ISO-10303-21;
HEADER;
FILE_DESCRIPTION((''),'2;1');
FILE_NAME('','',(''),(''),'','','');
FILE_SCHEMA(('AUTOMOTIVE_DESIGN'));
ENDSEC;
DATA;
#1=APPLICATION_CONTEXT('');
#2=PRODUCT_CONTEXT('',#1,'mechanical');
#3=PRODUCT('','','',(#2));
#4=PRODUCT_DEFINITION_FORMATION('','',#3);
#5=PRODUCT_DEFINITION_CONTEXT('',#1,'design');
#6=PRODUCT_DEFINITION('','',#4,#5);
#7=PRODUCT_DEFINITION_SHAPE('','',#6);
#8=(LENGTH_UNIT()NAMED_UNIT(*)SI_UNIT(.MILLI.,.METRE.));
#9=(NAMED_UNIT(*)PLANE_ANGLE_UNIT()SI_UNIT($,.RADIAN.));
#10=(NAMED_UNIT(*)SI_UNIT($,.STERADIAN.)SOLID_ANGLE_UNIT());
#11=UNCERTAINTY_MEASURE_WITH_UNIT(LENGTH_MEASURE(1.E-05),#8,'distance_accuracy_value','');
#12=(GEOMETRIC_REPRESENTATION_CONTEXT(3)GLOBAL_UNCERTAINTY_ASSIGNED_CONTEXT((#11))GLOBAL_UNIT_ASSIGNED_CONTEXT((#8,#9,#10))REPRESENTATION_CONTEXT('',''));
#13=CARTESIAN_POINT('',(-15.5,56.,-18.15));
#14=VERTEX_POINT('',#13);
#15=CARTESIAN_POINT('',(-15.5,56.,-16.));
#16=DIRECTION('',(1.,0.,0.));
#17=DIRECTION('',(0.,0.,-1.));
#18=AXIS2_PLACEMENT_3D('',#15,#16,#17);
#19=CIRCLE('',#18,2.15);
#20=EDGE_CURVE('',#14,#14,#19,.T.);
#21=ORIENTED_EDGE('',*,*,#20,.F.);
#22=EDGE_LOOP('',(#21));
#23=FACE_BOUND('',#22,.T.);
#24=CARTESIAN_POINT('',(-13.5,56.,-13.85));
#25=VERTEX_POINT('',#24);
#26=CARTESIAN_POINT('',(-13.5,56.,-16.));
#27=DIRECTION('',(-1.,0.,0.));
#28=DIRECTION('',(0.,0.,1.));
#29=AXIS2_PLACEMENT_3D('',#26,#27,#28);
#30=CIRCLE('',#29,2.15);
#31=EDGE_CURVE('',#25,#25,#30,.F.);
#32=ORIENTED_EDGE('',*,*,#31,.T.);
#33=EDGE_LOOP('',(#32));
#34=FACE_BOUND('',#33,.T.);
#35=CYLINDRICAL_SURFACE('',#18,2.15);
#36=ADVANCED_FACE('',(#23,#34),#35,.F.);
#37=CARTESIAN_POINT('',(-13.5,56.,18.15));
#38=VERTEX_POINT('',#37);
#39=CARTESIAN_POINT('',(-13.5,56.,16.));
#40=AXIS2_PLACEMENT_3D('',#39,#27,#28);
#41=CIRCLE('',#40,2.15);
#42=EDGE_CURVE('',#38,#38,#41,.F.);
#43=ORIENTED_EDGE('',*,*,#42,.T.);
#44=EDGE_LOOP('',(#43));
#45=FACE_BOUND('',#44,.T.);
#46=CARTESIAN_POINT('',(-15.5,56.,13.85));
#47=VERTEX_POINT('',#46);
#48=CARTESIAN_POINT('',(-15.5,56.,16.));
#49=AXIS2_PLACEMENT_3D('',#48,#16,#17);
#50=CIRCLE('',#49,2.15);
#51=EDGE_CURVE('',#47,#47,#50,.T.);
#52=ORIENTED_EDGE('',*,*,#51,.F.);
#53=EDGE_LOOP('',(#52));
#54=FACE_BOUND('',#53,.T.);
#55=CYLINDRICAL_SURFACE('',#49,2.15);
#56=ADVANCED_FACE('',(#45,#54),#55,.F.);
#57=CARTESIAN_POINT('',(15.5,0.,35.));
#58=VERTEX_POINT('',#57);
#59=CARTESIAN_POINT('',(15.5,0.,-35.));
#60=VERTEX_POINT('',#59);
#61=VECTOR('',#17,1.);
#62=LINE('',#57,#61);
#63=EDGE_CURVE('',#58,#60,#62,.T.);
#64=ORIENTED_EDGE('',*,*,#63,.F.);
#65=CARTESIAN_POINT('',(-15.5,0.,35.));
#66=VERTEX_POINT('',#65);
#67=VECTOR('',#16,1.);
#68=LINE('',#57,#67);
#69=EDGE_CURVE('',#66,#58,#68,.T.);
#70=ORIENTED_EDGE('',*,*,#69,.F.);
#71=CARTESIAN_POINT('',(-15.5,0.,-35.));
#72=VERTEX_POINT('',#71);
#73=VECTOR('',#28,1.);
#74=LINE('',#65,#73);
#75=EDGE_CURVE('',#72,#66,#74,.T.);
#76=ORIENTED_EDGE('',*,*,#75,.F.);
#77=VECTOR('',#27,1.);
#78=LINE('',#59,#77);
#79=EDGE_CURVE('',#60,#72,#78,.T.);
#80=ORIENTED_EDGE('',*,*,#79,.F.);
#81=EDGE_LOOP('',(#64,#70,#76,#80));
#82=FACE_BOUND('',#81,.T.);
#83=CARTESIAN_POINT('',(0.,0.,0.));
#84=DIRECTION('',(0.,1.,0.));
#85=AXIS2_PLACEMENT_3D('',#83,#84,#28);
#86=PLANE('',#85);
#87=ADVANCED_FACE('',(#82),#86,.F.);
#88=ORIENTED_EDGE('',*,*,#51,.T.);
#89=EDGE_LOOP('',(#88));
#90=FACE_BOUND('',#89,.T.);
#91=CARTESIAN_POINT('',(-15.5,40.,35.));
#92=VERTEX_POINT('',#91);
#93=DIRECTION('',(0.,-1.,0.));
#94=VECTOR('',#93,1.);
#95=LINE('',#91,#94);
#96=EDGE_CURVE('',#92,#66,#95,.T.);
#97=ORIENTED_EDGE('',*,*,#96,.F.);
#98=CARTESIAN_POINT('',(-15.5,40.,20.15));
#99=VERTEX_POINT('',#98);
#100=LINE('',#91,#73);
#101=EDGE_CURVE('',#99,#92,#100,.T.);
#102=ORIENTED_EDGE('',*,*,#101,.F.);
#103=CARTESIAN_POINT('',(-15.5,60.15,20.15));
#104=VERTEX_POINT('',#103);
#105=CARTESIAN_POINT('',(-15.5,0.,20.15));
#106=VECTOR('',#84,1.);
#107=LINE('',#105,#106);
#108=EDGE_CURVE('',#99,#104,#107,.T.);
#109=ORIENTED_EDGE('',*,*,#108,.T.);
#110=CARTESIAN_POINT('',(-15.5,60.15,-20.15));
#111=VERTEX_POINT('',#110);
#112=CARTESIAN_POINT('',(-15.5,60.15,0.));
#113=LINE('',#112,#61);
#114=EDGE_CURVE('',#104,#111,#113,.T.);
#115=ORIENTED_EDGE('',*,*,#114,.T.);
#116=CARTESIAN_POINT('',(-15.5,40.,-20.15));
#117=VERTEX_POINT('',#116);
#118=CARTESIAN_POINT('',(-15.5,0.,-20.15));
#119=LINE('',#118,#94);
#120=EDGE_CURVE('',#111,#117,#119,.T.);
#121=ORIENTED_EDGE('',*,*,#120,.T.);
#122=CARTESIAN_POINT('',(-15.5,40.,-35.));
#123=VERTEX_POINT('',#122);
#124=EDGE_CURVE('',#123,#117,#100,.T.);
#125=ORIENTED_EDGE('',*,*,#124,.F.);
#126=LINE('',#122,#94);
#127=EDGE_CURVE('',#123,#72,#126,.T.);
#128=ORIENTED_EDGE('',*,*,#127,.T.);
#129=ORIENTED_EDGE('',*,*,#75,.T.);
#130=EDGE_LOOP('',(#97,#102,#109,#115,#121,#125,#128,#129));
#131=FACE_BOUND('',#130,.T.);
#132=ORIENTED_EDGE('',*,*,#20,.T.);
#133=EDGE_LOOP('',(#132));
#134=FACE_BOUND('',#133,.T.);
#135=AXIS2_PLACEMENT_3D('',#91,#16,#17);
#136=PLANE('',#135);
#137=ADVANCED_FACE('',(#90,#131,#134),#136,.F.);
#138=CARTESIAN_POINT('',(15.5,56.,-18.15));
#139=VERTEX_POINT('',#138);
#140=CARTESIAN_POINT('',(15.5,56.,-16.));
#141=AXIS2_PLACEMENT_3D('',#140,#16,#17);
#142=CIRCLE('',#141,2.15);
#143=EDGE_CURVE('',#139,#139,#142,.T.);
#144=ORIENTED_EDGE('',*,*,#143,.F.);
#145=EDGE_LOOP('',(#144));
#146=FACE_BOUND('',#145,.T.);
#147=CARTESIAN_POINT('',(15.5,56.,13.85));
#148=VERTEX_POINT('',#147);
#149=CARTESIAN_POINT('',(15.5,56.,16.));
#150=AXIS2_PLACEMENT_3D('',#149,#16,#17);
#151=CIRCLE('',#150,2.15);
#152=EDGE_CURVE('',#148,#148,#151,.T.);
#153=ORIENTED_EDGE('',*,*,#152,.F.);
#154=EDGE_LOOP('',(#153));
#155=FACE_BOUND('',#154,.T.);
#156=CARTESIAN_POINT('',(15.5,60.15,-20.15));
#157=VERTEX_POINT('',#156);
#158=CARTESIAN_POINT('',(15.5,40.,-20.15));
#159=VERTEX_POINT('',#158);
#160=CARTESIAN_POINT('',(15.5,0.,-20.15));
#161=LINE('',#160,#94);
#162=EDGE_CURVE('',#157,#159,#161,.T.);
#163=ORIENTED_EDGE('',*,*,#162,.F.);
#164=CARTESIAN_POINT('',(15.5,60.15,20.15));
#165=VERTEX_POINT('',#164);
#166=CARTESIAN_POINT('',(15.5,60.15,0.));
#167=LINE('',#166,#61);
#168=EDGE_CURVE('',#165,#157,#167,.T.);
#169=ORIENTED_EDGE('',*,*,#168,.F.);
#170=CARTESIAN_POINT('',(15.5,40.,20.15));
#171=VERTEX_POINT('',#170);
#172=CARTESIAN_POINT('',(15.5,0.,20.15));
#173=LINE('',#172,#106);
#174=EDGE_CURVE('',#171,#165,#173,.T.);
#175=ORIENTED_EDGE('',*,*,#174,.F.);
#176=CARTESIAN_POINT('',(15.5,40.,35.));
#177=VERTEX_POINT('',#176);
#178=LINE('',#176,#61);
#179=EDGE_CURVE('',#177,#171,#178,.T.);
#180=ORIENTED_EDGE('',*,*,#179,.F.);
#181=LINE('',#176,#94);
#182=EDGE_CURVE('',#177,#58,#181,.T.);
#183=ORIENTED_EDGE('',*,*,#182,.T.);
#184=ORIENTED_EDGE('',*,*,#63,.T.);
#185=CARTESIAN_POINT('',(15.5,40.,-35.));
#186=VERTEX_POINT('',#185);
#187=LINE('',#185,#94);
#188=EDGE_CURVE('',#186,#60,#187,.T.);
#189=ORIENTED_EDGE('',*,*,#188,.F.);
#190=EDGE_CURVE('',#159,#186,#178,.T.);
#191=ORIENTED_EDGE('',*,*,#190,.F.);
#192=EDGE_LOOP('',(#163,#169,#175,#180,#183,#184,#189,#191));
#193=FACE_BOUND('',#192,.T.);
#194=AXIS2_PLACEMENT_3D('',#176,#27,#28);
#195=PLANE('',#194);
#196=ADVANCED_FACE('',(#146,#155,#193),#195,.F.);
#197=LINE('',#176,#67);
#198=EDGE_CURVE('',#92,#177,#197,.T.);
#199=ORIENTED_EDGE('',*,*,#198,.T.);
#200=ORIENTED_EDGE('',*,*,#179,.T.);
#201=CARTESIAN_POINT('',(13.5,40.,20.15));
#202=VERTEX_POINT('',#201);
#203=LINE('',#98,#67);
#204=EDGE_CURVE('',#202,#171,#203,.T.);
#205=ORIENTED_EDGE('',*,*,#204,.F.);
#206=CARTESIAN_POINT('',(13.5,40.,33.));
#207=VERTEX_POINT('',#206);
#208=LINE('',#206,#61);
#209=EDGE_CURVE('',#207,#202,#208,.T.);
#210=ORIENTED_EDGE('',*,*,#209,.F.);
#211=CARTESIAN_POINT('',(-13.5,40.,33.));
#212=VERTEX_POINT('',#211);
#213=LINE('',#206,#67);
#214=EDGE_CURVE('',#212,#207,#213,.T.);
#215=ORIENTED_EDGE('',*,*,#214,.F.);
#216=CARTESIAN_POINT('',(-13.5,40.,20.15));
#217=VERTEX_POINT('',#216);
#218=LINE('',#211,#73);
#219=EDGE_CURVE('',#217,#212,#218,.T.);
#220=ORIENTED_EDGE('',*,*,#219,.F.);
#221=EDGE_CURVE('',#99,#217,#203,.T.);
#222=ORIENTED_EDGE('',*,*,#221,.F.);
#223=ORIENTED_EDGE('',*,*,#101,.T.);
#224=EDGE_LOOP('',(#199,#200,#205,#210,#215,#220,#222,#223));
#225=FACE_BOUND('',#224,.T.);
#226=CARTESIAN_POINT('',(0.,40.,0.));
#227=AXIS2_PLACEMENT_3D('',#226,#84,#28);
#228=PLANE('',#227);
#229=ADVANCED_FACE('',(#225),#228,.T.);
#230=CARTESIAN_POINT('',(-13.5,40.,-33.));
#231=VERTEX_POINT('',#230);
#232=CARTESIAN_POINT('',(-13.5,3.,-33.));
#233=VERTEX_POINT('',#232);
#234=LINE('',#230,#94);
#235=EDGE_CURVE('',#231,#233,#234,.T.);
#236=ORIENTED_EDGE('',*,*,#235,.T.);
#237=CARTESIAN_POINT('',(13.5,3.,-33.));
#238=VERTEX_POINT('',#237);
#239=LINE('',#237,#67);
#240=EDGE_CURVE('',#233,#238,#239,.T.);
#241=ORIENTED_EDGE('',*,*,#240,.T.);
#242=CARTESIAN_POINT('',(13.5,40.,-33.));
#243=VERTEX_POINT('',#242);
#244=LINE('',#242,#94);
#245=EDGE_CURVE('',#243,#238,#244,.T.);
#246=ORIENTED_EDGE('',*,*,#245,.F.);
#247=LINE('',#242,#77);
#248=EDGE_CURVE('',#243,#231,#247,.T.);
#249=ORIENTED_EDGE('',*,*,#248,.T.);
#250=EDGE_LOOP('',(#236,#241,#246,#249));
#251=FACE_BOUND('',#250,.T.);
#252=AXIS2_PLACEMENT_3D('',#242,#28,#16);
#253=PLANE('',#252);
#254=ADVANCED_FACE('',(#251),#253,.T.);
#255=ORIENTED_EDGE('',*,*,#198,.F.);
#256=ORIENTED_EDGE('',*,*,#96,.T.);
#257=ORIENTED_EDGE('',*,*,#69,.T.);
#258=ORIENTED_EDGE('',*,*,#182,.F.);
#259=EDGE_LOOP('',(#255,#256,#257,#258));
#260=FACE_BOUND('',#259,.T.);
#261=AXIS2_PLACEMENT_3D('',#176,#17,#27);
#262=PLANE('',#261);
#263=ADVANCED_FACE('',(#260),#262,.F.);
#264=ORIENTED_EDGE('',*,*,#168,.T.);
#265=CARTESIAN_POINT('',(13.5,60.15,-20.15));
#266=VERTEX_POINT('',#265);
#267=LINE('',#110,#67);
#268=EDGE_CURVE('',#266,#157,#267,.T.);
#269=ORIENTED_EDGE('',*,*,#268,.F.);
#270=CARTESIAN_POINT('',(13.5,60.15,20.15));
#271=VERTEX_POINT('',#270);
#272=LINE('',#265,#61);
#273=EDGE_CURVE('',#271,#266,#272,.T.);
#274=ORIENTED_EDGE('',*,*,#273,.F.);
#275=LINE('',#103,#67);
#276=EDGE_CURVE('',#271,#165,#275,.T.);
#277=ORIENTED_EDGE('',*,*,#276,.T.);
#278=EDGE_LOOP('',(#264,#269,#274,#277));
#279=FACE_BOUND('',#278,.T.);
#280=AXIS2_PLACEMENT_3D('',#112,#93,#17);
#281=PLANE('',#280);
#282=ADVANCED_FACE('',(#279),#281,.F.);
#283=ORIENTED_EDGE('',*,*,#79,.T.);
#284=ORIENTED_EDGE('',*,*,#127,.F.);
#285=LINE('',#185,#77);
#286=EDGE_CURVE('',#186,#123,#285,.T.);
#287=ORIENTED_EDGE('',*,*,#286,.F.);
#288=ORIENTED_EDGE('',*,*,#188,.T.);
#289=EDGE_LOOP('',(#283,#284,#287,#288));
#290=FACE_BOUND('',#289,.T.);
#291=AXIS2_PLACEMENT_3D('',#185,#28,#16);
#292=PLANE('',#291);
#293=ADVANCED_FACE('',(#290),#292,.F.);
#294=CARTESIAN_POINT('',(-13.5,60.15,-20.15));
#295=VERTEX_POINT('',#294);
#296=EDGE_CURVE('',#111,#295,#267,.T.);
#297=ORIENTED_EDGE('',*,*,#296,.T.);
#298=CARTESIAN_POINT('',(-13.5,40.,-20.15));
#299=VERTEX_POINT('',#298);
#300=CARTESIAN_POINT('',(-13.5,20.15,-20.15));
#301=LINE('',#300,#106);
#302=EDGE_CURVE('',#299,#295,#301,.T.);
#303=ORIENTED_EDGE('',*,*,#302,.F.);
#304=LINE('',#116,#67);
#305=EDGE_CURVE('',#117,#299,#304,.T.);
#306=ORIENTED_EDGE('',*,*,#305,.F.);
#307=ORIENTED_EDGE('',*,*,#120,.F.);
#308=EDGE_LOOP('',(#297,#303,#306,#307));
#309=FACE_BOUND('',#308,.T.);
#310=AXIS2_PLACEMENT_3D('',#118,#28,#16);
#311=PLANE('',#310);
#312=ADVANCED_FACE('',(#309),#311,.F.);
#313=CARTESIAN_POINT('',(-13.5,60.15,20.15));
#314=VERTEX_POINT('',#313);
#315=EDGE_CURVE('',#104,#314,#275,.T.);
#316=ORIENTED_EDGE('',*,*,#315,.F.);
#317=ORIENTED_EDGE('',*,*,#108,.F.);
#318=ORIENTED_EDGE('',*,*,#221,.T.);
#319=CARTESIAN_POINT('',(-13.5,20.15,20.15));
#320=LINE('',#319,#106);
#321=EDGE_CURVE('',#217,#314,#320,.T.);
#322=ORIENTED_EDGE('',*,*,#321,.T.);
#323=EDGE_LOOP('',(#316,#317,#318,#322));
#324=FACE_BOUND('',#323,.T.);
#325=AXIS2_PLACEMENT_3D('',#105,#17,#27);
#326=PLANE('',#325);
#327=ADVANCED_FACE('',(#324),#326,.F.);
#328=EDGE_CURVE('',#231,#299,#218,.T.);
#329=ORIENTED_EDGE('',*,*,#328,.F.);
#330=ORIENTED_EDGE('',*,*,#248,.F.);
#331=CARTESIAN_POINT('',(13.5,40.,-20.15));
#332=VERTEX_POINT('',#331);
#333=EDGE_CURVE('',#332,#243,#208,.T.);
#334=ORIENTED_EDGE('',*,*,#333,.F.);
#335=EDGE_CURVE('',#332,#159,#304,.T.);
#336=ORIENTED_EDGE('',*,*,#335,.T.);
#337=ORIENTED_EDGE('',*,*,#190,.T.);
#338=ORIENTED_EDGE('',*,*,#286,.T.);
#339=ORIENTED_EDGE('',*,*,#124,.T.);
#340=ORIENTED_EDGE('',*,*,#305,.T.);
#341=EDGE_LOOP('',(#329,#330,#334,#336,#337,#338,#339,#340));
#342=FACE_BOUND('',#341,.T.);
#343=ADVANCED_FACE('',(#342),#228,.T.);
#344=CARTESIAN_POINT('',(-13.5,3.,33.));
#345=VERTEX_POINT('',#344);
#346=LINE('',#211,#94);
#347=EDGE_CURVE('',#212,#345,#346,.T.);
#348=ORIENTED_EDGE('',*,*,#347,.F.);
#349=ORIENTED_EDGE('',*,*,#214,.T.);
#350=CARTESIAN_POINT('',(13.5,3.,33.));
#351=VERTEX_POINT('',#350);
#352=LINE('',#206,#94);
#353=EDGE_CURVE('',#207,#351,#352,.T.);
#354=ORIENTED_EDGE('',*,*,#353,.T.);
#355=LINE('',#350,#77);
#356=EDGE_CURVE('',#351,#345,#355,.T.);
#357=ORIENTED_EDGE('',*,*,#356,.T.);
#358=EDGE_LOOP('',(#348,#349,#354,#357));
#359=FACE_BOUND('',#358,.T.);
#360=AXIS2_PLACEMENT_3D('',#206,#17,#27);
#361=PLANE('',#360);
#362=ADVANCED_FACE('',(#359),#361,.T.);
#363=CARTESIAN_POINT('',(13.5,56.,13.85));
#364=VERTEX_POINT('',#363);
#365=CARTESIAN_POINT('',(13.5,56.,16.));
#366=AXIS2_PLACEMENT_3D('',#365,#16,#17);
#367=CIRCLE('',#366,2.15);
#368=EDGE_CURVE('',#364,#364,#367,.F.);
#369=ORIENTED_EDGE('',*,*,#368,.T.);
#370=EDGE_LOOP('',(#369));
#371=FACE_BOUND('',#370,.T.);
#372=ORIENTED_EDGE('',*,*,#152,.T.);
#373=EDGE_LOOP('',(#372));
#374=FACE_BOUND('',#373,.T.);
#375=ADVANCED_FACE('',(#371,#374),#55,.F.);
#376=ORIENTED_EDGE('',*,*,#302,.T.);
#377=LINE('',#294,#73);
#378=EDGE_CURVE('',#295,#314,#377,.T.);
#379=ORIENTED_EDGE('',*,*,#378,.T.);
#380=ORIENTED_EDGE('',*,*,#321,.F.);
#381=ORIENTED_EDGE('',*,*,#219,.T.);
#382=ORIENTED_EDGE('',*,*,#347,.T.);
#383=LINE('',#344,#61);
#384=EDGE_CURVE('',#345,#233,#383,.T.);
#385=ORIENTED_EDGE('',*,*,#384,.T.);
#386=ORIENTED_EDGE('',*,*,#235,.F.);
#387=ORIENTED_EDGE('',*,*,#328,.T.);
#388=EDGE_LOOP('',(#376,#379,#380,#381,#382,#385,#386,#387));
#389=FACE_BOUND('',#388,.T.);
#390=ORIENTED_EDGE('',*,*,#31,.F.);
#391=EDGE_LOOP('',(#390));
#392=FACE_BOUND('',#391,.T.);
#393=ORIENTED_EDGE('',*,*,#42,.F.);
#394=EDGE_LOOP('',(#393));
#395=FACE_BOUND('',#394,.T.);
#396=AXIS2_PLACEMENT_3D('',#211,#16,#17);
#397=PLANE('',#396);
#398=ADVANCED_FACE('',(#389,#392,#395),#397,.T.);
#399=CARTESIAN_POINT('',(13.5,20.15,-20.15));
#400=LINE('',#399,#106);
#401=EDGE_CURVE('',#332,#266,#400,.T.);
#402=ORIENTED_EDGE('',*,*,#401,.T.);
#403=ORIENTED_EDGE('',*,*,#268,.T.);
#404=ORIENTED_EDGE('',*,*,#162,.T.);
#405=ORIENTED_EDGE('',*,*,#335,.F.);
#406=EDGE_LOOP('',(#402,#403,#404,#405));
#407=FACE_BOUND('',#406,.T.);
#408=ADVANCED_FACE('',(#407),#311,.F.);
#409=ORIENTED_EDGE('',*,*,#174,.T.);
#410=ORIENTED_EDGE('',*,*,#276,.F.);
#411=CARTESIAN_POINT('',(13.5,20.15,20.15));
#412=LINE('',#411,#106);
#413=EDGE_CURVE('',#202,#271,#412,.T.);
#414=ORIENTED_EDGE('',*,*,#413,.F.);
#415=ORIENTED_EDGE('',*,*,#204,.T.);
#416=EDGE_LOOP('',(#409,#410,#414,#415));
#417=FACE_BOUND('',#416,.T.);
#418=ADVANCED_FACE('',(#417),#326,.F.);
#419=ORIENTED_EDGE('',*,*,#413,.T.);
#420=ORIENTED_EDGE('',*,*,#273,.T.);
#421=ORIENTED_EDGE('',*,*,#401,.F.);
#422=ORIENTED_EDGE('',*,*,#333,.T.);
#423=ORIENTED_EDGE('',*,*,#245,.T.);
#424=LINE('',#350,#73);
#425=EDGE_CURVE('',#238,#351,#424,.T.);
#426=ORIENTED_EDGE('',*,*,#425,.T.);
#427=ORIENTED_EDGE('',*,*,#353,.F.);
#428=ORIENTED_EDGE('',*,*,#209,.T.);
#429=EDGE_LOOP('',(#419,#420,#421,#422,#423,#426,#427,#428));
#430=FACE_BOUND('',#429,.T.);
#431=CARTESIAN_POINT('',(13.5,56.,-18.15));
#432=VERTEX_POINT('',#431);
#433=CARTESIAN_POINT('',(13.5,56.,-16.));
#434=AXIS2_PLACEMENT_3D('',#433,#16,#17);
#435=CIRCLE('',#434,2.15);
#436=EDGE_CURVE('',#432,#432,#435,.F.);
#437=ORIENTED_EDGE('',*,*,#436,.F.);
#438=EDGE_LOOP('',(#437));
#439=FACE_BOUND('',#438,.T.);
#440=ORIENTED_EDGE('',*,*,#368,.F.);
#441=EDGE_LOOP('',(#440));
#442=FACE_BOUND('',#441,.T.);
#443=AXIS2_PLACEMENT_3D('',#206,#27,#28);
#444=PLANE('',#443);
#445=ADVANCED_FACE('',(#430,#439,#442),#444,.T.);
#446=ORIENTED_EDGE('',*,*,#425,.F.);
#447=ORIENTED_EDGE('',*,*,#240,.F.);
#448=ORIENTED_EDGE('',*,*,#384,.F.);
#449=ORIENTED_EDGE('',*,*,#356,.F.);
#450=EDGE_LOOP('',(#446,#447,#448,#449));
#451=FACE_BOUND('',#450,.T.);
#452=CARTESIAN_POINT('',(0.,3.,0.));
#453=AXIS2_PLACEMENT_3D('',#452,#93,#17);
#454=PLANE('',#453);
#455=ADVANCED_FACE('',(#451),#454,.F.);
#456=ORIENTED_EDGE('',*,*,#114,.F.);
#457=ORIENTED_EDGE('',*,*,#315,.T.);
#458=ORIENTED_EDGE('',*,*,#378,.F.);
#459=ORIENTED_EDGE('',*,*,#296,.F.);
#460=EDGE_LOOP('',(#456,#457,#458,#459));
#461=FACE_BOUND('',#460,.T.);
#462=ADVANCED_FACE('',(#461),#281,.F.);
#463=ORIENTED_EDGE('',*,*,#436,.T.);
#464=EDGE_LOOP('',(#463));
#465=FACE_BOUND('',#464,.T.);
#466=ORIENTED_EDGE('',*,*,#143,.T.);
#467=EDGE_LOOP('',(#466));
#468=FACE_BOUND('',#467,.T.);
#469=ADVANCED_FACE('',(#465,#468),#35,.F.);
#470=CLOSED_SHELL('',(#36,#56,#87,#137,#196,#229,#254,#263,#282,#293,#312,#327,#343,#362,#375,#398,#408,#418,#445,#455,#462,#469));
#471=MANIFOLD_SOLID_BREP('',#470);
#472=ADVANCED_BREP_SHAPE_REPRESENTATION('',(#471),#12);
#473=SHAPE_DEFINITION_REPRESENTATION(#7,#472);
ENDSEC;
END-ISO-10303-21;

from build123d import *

# Parameters (mm, degrees)
CROQUIS1_W              = 31
CROQUIS1_H              = 70
CROQUIS1_W_2            = 27
CROQUIS1_H_2            = 66
SALIENTE_EXTRUIR1_DEPTH = 40
CROQUIS4_W              = 40.3
CROQUIS4_H              = 20.15
CROQUIS4_R              = 2.15
SALIENTE_EXTRUIR2_DEPTH = 31
CROQUIS5_W              = 27
CROQUIS5_H              = 40.3
CORTAR_EXTRUIR2_DEPTH   = 40
CROQUIS6_W              = 31
CROQUIS6_H              = 70
SALIENTE_EXTRUIR3_DEPTH = 3


with BuildPart() as part:
    # Croquis1 → Saliente-Extruir1 (new body)
    with BuildSketch(Plane(origin=(0, 0, 0), x_dir=(1, 0, 0), z_dir=(0, 1, 0))):
        Rectangle(CROQUIS1_W, CROQUIS1_H)
        Rectangle(CROQUIS1_W_2, CROQUIS1_H_2, mode=Mode.SUBTRACT)
    extrude(amount=SALIENTE_EXTRUIR1_DEPTH)

    # Croquis4 → Saliente-Extruir2 (add, through all)
    with BuildSketch(Plane(origin=(15.5, 0, 0), x_dir=(0, 0, -1), z_dir=(1, 0, 0))):
        with Locations((0, 50.075)):
            Rectangle(CROQUIS4_W, CROQUIS4_H)
        with Locations((-16, 56)):
            Circle(CROQUIS4_R, mode=Mode.SUBTRACT)
        with Locations((16, 56)):
            Circle(CROQUIS4_R, mode=Mode.SUBTRACT)
    extrude(amount=-SALIENTE_EXTRUIR2_DEPTH)

    # Croquis5 → Cortar-Extruir2 (cut)
    with BuildSketch(Plane(origin=(0, 60.15, 0), x_dir=(1, 0, 0), z_dir=(0, 1, 0))):
        Rectangle(CROQUIS5_W, CROQUIS5_H)
    extrude(amount=-CORTAR_EXTRUIR2_DEPTH, mode=Mode.SUBTRACT)

    # Croquis6 → Saliente-Extruir3 (add)
    with BuildSketch(Plane.XZ):
        Rectangle(CROQUIS6_W, CROQUIS6_H)
    extrude(amount=-SALIENTE_EXTRUIR3_DEPTH)


solid = part.part
